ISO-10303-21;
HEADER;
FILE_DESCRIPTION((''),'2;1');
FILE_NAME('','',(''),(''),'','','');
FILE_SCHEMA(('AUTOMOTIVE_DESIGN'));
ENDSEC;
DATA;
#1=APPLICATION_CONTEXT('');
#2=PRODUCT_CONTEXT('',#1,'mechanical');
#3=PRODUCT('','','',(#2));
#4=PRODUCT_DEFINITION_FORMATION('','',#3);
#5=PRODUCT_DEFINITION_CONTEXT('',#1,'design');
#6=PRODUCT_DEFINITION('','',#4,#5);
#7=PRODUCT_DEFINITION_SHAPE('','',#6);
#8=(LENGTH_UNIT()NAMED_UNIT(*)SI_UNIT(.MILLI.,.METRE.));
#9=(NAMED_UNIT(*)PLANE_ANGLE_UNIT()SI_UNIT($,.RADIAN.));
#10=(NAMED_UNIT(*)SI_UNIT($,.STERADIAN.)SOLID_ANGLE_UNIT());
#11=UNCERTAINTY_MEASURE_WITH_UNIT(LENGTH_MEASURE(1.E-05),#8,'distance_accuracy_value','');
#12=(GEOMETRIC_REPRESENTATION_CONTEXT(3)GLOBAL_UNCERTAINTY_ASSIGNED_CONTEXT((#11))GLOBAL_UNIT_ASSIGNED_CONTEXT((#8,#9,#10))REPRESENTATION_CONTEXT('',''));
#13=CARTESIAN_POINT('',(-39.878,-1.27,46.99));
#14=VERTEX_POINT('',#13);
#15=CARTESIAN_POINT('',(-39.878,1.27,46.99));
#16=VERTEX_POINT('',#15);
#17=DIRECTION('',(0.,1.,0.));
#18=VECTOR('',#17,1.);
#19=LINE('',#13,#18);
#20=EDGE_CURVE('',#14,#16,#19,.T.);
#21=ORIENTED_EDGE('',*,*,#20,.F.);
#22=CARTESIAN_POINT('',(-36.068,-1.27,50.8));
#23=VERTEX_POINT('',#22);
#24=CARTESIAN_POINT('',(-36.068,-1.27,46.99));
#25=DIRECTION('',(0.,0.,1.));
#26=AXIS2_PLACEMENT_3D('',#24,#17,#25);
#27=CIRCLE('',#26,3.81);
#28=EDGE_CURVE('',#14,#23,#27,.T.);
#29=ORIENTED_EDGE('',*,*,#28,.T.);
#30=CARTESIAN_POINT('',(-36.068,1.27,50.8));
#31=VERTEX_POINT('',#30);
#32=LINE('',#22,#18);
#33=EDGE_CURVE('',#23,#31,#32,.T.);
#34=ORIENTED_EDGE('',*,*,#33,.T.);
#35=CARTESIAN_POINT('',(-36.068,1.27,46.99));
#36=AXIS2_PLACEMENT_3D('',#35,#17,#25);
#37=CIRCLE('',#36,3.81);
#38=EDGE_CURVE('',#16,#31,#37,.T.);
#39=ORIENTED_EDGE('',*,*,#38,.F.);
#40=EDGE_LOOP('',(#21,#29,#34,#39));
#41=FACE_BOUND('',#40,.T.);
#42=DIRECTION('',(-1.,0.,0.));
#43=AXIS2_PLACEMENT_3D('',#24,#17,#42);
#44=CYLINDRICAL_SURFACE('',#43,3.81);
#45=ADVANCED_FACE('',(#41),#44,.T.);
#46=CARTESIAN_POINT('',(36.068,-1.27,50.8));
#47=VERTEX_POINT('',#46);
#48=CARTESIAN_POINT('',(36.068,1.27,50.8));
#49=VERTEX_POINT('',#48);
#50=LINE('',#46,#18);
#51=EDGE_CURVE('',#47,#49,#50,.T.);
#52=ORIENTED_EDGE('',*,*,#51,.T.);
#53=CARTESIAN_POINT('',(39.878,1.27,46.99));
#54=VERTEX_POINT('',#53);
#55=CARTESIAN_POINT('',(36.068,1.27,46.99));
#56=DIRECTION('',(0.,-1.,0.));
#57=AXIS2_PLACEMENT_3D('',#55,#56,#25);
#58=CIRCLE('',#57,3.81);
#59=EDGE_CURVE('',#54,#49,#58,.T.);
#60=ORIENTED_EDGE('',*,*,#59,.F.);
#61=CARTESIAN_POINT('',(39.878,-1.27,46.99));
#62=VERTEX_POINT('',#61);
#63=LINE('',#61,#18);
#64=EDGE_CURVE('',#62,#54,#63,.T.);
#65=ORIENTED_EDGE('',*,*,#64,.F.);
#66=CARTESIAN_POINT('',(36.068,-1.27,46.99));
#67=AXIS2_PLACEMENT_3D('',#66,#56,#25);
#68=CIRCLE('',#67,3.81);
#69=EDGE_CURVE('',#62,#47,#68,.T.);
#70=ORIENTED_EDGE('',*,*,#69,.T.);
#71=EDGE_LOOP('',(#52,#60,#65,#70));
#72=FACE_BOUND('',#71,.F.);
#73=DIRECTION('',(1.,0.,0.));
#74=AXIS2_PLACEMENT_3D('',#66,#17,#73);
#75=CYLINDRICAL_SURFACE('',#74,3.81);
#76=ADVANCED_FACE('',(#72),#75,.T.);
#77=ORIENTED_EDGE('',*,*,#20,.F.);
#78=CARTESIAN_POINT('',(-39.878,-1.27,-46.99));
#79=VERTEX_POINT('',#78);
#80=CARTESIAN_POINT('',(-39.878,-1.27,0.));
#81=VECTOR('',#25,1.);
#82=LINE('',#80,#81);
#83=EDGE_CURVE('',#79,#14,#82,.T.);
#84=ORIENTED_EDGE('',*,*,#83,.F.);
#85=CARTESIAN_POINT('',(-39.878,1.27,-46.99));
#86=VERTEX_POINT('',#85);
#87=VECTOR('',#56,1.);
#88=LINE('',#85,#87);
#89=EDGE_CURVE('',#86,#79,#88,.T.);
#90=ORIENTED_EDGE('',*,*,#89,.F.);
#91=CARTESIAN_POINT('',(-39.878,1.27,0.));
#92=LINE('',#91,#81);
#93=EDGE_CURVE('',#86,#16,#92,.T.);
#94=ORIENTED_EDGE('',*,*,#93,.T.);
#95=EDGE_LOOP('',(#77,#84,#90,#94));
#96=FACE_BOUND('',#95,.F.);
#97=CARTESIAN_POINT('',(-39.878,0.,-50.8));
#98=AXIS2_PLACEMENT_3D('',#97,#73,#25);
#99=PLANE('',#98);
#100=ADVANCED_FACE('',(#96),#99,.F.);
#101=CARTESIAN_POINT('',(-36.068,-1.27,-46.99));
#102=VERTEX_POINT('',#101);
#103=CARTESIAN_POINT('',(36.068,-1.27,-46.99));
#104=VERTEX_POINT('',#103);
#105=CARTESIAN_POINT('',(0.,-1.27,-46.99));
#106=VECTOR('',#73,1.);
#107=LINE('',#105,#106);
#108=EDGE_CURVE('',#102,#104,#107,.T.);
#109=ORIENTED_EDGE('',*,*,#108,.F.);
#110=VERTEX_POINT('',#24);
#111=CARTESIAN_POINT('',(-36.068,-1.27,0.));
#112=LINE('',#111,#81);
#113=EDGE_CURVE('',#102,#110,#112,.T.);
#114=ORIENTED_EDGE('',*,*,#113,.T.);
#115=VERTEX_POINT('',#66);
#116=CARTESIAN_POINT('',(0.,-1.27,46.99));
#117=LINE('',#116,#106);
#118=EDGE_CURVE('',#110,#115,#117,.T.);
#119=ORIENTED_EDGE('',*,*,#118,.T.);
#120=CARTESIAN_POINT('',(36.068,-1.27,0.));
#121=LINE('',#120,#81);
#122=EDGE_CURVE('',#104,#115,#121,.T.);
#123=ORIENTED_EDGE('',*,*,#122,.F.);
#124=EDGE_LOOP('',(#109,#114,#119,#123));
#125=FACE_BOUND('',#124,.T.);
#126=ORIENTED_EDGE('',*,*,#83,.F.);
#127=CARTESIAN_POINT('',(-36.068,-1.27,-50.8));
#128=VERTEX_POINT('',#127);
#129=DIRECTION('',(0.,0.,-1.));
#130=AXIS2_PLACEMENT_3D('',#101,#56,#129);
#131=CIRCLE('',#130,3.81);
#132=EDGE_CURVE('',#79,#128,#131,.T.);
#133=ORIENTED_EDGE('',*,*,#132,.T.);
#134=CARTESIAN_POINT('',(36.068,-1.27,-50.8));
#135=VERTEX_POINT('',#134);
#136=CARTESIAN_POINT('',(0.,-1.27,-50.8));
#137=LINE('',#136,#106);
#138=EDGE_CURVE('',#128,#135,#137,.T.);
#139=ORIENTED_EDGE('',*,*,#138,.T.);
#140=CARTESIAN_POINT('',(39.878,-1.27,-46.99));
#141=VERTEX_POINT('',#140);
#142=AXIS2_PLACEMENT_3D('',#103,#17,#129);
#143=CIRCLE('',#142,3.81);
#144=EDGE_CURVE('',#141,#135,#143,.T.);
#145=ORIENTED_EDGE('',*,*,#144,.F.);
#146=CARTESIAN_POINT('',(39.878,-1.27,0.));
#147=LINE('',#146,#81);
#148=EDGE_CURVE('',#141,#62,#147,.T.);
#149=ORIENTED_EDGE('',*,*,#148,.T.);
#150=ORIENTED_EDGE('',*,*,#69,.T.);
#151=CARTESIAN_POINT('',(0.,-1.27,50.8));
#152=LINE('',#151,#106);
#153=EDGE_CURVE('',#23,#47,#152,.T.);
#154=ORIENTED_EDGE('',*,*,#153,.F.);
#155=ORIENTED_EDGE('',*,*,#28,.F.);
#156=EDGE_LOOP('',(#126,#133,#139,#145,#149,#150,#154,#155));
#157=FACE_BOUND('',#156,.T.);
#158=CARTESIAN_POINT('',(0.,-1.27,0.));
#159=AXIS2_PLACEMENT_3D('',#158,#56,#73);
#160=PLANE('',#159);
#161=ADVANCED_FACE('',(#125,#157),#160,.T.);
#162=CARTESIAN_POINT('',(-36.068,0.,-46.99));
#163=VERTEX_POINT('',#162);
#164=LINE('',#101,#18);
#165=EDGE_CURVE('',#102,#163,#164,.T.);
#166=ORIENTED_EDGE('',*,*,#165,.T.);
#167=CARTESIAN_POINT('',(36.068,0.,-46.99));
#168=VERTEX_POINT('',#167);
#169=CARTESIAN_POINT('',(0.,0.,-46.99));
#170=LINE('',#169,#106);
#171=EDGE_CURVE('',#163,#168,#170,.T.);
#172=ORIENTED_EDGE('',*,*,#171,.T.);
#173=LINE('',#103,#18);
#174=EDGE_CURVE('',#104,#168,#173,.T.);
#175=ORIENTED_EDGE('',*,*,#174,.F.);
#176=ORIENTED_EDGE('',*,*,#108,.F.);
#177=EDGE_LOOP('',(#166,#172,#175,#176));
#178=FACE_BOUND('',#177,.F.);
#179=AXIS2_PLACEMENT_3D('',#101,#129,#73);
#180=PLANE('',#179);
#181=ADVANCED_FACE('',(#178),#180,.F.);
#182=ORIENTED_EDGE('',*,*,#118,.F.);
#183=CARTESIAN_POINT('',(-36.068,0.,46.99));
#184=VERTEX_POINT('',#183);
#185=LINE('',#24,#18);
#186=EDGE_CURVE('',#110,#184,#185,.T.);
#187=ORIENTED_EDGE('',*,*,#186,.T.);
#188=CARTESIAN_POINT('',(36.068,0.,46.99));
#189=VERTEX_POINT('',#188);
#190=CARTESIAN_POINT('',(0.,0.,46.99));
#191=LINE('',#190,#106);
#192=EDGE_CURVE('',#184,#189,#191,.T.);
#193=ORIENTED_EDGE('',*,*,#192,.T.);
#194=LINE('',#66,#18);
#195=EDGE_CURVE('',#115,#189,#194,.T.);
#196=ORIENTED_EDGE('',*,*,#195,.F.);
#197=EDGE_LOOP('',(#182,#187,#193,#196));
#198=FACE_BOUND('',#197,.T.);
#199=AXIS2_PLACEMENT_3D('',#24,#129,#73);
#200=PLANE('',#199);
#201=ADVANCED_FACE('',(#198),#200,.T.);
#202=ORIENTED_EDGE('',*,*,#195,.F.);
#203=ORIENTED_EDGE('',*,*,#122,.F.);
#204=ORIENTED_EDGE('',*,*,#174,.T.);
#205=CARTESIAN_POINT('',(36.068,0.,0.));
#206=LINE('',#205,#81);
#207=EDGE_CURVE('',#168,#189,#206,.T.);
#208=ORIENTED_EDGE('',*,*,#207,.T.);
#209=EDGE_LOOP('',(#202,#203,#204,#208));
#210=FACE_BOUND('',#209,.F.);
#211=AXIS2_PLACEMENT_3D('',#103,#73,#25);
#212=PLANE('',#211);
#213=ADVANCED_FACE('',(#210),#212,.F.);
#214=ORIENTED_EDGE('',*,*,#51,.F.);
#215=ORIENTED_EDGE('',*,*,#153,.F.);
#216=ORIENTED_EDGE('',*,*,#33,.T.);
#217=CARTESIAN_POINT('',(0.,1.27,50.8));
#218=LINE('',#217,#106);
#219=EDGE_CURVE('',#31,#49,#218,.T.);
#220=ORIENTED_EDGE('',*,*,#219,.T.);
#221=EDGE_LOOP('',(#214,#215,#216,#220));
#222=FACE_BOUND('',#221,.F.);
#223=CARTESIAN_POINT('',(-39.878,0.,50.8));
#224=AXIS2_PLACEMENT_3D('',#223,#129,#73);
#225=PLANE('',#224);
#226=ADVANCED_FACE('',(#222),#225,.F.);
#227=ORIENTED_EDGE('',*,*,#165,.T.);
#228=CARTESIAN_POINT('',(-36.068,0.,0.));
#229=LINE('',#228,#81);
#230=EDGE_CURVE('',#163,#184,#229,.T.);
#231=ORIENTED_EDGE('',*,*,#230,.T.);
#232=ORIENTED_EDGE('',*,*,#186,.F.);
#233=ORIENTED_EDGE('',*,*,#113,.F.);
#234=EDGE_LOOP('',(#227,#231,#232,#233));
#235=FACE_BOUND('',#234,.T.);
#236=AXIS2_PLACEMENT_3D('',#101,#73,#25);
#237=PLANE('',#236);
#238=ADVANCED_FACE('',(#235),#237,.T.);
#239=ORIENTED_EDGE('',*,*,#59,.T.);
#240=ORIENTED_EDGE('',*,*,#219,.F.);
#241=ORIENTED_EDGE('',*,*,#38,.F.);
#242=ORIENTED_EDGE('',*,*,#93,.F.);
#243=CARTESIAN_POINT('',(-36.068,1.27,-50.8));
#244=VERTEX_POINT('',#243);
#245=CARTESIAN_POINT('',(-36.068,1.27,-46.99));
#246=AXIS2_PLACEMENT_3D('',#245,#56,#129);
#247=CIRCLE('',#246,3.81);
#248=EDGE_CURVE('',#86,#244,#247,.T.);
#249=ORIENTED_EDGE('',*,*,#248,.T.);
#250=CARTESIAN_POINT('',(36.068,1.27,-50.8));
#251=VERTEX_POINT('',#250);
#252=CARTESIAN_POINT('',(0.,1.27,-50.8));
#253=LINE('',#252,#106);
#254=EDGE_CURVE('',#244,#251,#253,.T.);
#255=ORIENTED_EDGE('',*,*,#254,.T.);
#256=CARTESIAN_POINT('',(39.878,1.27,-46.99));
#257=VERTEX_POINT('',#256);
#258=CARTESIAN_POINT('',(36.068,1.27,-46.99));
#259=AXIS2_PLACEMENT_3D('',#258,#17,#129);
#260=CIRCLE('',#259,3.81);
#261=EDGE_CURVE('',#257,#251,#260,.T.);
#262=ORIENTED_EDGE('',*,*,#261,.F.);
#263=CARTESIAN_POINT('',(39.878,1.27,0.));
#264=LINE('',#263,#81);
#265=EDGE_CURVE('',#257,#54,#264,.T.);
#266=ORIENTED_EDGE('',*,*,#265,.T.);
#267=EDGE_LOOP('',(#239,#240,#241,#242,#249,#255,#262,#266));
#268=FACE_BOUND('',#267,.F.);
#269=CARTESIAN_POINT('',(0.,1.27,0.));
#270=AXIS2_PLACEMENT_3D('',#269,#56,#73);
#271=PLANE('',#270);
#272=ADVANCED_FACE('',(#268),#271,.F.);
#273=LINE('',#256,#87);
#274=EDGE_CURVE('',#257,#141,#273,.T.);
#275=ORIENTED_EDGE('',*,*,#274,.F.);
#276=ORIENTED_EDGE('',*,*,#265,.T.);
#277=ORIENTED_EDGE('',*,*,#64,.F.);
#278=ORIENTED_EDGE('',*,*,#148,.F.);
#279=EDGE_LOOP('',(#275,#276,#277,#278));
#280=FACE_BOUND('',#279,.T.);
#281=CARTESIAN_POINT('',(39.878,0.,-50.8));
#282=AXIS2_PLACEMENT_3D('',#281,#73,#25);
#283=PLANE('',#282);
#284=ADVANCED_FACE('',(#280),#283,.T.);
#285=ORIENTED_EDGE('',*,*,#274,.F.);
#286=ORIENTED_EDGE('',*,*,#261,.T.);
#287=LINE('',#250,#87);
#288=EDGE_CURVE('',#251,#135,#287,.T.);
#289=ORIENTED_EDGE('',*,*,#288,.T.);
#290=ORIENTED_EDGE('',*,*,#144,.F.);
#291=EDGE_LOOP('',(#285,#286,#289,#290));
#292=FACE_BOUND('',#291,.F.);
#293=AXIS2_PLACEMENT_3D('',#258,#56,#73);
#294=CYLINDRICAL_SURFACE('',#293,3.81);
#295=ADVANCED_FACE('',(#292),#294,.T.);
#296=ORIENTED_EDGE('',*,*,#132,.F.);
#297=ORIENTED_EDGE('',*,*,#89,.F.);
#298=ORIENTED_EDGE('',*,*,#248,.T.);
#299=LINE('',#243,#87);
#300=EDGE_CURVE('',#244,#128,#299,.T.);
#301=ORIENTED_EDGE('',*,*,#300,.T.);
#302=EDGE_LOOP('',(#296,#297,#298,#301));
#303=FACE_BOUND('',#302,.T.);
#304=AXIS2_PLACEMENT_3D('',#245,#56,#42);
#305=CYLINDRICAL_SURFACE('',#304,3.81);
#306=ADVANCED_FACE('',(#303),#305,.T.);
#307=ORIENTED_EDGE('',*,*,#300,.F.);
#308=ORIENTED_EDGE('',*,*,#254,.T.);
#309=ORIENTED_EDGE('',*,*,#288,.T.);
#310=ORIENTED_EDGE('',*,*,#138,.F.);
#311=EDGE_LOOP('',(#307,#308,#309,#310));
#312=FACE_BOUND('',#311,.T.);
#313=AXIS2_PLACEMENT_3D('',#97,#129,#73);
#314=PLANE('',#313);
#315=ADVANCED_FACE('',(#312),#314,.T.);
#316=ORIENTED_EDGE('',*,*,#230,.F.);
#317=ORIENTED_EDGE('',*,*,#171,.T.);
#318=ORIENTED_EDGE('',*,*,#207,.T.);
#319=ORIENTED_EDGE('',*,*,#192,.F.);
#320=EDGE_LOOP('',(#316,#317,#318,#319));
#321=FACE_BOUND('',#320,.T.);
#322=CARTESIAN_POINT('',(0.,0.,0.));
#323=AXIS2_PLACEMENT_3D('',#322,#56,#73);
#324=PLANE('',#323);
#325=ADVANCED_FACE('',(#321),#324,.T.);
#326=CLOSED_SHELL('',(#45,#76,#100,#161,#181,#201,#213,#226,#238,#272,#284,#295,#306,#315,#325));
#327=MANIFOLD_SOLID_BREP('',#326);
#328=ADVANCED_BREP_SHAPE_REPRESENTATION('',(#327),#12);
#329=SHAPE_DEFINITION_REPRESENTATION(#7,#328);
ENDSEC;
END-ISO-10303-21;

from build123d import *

# Parameters (mm, degrees)
F0_W     = 79.756
F0_H     = 101.6
F1_DEPTH = 1.27
F2_R     = 3.81
F3_W     = 72.136
F3_H     = 93.98
F4_DEPTH = 1.27


with BuildPart() as f1:
    # F0 (on Front) → F1 (new body, symmetric)
    with BuildSketch(Plane.XZ):
        Rectangle(F0_W, F0_H)
    extrude(amount=F1_DEPTH, both=True)

    # F2
    f2_edges = [f1.edges().sort_by_distance(p)[0] for p in [
        (-39.878, 0, 50.8),
        (39.878, 0, 50.8),
        (39.878, 0, -50.8),
        (-39.878, 0, -50.8),
    ]]
    fillet(f2_edges, radius=F2_R)

    # F3 (on face) → F4 (cut)
    with BuildSketch(Plane.XZ.offset(1.27)):
        Rectangle(F3_W, F3_H)
    extrude(amount=-F4_DEPTH, mode=Mode.SUBTRACT)


solid = f1.part
